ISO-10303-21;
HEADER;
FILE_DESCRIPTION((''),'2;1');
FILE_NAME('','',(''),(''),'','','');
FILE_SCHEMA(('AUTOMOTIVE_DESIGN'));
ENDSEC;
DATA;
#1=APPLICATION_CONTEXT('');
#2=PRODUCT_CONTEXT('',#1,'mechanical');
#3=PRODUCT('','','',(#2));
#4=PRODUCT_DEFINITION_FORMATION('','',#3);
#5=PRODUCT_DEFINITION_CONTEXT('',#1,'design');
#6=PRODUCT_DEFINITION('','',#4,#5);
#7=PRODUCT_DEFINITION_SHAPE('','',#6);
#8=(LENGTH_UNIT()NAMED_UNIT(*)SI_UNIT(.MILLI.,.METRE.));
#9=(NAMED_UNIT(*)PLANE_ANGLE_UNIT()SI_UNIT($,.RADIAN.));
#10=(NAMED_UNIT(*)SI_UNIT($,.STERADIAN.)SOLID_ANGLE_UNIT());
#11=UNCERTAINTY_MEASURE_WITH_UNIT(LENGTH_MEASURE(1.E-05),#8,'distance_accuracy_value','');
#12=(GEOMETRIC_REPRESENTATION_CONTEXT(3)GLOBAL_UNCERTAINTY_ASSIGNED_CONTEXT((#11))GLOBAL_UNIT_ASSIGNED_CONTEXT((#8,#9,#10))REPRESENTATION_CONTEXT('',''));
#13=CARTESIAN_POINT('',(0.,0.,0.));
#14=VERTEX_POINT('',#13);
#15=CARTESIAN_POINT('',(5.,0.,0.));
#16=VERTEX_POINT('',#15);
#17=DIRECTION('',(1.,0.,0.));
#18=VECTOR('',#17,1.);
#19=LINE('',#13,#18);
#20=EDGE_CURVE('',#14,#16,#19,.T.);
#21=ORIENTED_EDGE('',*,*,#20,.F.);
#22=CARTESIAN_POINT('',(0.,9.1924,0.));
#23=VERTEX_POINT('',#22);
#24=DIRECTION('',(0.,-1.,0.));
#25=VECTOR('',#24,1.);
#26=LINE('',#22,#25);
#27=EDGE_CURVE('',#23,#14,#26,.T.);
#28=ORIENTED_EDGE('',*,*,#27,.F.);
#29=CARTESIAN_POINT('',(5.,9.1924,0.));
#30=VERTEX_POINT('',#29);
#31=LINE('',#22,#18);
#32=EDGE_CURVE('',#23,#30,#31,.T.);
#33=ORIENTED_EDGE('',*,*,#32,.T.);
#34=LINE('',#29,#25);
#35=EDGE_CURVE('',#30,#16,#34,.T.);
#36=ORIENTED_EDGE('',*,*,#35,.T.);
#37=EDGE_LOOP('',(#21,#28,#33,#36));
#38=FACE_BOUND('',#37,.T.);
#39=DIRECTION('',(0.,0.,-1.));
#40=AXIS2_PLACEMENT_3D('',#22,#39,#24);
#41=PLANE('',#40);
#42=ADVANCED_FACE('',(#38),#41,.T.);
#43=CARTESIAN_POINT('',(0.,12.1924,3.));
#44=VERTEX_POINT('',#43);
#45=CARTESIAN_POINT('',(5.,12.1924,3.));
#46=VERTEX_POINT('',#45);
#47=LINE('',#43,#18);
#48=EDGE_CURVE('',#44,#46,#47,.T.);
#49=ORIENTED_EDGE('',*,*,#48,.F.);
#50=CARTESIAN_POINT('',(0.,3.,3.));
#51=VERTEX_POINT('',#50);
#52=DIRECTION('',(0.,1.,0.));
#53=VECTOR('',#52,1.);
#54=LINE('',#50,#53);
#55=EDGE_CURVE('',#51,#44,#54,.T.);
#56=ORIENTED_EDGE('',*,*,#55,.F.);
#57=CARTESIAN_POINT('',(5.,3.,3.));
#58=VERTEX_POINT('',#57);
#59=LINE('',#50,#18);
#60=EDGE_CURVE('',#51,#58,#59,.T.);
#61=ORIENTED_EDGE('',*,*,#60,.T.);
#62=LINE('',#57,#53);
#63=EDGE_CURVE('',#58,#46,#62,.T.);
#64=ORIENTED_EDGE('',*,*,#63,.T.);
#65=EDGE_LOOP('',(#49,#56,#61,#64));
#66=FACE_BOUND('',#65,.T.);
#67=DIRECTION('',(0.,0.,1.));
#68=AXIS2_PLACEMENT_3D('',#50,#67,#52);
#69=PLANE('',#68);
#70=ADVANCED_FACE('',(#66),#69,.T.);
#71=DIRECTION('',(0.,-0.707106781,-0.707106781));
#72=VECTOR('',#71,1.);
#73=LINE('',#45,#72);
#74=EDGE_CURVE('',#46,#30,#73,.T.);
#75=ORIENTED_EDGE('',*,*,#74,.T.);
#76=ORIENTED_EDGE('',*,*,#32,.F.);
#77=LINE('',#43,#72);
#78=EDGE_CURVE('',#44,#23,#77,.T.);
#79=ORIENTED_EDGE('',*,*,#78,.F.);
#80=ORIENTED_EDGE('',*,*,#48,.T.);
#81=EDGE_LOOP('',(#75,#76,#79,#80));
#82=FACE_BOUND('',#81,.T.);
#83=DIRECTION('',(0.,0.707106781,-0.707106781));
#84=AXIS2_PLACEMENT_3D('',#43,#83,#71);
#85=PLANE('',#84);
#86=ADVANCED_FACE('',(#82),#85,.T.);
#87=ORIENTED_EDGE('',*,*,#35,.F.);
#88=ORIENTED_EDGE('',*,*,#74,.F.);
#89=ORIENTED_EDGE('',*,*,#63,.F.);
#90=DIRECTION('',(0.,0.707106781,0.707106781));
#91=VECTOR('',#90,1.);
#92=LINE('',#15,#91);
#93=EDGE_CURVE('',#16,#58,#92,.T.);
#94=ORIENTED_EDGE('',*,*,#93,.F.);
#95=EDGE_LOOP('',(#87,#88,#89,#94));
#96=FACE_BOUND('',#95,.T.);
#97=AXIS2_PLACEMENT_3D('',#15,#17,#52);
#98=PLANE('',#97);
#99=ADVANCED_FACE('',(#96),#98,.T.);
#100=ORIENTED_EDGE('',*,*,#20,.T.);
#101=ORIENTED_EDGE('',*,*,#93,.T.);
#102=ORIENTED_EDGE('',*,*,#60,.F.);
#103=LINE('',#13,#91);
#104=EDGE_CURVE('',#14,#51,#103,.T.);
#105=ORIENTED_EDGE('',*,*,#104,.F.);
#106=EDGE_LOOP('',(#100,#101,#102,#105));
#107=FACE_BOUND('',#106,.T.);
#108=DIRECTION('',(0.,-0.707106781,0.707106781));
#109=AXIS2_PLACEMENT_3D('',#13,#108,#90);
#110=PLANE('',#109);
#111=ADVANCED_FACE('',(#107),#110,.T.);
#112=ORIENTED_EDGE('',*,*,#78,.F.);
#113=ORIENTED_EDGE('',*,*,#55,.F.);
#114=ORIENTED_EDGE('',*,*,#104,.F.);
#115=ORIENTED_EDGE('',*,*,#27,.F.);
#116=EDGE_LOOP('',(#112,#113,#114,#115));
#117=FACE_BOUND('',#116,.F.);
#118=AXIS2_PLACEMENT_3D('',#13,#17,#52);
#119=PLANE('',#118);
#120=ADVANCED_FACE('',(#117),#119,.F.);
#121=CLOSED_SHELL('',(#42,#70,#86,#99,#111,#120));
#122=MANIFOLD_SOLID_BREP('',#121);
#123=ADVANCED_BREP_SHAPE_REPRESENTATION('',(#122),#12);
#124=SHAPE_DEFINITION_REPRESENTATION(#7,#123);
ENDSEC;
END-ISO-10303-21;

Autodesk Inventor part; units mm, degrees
ref_plane "YZ Plane" through (0, 0, 0) normal (1, 0, 0) x (0, 1, 0)
ref_plane "XZ Plane" through (0, 0, 0) normal (0, 1, 0) x (-1, 0, 0)
ref_plane "XY Plane" through (0, 0, 0) normal (0, 0, 1) x (1, 0, 0)
sketch "Boceto1" plane through (0, 0, 0) normal (1, 0, 0) x (0, 1, 0)
  line L0 (9.1924, 0) -> (0, 0)
  line L1 (12.1924, 3) -> (9.1924, 0)
  line L2 (3, 3) -> (12.1924, 3)
  line L3 (0, 0) -> (3, 3)
extrude "Extrusión1" add sketch "Boceto1" along normal blind 5
sketch "Boceto2" plane through (0, 3, 3) normal (0, 0, 1) x (1, 0, 0)
  point P0 (0, -3)
properties part number "Mordaza"
